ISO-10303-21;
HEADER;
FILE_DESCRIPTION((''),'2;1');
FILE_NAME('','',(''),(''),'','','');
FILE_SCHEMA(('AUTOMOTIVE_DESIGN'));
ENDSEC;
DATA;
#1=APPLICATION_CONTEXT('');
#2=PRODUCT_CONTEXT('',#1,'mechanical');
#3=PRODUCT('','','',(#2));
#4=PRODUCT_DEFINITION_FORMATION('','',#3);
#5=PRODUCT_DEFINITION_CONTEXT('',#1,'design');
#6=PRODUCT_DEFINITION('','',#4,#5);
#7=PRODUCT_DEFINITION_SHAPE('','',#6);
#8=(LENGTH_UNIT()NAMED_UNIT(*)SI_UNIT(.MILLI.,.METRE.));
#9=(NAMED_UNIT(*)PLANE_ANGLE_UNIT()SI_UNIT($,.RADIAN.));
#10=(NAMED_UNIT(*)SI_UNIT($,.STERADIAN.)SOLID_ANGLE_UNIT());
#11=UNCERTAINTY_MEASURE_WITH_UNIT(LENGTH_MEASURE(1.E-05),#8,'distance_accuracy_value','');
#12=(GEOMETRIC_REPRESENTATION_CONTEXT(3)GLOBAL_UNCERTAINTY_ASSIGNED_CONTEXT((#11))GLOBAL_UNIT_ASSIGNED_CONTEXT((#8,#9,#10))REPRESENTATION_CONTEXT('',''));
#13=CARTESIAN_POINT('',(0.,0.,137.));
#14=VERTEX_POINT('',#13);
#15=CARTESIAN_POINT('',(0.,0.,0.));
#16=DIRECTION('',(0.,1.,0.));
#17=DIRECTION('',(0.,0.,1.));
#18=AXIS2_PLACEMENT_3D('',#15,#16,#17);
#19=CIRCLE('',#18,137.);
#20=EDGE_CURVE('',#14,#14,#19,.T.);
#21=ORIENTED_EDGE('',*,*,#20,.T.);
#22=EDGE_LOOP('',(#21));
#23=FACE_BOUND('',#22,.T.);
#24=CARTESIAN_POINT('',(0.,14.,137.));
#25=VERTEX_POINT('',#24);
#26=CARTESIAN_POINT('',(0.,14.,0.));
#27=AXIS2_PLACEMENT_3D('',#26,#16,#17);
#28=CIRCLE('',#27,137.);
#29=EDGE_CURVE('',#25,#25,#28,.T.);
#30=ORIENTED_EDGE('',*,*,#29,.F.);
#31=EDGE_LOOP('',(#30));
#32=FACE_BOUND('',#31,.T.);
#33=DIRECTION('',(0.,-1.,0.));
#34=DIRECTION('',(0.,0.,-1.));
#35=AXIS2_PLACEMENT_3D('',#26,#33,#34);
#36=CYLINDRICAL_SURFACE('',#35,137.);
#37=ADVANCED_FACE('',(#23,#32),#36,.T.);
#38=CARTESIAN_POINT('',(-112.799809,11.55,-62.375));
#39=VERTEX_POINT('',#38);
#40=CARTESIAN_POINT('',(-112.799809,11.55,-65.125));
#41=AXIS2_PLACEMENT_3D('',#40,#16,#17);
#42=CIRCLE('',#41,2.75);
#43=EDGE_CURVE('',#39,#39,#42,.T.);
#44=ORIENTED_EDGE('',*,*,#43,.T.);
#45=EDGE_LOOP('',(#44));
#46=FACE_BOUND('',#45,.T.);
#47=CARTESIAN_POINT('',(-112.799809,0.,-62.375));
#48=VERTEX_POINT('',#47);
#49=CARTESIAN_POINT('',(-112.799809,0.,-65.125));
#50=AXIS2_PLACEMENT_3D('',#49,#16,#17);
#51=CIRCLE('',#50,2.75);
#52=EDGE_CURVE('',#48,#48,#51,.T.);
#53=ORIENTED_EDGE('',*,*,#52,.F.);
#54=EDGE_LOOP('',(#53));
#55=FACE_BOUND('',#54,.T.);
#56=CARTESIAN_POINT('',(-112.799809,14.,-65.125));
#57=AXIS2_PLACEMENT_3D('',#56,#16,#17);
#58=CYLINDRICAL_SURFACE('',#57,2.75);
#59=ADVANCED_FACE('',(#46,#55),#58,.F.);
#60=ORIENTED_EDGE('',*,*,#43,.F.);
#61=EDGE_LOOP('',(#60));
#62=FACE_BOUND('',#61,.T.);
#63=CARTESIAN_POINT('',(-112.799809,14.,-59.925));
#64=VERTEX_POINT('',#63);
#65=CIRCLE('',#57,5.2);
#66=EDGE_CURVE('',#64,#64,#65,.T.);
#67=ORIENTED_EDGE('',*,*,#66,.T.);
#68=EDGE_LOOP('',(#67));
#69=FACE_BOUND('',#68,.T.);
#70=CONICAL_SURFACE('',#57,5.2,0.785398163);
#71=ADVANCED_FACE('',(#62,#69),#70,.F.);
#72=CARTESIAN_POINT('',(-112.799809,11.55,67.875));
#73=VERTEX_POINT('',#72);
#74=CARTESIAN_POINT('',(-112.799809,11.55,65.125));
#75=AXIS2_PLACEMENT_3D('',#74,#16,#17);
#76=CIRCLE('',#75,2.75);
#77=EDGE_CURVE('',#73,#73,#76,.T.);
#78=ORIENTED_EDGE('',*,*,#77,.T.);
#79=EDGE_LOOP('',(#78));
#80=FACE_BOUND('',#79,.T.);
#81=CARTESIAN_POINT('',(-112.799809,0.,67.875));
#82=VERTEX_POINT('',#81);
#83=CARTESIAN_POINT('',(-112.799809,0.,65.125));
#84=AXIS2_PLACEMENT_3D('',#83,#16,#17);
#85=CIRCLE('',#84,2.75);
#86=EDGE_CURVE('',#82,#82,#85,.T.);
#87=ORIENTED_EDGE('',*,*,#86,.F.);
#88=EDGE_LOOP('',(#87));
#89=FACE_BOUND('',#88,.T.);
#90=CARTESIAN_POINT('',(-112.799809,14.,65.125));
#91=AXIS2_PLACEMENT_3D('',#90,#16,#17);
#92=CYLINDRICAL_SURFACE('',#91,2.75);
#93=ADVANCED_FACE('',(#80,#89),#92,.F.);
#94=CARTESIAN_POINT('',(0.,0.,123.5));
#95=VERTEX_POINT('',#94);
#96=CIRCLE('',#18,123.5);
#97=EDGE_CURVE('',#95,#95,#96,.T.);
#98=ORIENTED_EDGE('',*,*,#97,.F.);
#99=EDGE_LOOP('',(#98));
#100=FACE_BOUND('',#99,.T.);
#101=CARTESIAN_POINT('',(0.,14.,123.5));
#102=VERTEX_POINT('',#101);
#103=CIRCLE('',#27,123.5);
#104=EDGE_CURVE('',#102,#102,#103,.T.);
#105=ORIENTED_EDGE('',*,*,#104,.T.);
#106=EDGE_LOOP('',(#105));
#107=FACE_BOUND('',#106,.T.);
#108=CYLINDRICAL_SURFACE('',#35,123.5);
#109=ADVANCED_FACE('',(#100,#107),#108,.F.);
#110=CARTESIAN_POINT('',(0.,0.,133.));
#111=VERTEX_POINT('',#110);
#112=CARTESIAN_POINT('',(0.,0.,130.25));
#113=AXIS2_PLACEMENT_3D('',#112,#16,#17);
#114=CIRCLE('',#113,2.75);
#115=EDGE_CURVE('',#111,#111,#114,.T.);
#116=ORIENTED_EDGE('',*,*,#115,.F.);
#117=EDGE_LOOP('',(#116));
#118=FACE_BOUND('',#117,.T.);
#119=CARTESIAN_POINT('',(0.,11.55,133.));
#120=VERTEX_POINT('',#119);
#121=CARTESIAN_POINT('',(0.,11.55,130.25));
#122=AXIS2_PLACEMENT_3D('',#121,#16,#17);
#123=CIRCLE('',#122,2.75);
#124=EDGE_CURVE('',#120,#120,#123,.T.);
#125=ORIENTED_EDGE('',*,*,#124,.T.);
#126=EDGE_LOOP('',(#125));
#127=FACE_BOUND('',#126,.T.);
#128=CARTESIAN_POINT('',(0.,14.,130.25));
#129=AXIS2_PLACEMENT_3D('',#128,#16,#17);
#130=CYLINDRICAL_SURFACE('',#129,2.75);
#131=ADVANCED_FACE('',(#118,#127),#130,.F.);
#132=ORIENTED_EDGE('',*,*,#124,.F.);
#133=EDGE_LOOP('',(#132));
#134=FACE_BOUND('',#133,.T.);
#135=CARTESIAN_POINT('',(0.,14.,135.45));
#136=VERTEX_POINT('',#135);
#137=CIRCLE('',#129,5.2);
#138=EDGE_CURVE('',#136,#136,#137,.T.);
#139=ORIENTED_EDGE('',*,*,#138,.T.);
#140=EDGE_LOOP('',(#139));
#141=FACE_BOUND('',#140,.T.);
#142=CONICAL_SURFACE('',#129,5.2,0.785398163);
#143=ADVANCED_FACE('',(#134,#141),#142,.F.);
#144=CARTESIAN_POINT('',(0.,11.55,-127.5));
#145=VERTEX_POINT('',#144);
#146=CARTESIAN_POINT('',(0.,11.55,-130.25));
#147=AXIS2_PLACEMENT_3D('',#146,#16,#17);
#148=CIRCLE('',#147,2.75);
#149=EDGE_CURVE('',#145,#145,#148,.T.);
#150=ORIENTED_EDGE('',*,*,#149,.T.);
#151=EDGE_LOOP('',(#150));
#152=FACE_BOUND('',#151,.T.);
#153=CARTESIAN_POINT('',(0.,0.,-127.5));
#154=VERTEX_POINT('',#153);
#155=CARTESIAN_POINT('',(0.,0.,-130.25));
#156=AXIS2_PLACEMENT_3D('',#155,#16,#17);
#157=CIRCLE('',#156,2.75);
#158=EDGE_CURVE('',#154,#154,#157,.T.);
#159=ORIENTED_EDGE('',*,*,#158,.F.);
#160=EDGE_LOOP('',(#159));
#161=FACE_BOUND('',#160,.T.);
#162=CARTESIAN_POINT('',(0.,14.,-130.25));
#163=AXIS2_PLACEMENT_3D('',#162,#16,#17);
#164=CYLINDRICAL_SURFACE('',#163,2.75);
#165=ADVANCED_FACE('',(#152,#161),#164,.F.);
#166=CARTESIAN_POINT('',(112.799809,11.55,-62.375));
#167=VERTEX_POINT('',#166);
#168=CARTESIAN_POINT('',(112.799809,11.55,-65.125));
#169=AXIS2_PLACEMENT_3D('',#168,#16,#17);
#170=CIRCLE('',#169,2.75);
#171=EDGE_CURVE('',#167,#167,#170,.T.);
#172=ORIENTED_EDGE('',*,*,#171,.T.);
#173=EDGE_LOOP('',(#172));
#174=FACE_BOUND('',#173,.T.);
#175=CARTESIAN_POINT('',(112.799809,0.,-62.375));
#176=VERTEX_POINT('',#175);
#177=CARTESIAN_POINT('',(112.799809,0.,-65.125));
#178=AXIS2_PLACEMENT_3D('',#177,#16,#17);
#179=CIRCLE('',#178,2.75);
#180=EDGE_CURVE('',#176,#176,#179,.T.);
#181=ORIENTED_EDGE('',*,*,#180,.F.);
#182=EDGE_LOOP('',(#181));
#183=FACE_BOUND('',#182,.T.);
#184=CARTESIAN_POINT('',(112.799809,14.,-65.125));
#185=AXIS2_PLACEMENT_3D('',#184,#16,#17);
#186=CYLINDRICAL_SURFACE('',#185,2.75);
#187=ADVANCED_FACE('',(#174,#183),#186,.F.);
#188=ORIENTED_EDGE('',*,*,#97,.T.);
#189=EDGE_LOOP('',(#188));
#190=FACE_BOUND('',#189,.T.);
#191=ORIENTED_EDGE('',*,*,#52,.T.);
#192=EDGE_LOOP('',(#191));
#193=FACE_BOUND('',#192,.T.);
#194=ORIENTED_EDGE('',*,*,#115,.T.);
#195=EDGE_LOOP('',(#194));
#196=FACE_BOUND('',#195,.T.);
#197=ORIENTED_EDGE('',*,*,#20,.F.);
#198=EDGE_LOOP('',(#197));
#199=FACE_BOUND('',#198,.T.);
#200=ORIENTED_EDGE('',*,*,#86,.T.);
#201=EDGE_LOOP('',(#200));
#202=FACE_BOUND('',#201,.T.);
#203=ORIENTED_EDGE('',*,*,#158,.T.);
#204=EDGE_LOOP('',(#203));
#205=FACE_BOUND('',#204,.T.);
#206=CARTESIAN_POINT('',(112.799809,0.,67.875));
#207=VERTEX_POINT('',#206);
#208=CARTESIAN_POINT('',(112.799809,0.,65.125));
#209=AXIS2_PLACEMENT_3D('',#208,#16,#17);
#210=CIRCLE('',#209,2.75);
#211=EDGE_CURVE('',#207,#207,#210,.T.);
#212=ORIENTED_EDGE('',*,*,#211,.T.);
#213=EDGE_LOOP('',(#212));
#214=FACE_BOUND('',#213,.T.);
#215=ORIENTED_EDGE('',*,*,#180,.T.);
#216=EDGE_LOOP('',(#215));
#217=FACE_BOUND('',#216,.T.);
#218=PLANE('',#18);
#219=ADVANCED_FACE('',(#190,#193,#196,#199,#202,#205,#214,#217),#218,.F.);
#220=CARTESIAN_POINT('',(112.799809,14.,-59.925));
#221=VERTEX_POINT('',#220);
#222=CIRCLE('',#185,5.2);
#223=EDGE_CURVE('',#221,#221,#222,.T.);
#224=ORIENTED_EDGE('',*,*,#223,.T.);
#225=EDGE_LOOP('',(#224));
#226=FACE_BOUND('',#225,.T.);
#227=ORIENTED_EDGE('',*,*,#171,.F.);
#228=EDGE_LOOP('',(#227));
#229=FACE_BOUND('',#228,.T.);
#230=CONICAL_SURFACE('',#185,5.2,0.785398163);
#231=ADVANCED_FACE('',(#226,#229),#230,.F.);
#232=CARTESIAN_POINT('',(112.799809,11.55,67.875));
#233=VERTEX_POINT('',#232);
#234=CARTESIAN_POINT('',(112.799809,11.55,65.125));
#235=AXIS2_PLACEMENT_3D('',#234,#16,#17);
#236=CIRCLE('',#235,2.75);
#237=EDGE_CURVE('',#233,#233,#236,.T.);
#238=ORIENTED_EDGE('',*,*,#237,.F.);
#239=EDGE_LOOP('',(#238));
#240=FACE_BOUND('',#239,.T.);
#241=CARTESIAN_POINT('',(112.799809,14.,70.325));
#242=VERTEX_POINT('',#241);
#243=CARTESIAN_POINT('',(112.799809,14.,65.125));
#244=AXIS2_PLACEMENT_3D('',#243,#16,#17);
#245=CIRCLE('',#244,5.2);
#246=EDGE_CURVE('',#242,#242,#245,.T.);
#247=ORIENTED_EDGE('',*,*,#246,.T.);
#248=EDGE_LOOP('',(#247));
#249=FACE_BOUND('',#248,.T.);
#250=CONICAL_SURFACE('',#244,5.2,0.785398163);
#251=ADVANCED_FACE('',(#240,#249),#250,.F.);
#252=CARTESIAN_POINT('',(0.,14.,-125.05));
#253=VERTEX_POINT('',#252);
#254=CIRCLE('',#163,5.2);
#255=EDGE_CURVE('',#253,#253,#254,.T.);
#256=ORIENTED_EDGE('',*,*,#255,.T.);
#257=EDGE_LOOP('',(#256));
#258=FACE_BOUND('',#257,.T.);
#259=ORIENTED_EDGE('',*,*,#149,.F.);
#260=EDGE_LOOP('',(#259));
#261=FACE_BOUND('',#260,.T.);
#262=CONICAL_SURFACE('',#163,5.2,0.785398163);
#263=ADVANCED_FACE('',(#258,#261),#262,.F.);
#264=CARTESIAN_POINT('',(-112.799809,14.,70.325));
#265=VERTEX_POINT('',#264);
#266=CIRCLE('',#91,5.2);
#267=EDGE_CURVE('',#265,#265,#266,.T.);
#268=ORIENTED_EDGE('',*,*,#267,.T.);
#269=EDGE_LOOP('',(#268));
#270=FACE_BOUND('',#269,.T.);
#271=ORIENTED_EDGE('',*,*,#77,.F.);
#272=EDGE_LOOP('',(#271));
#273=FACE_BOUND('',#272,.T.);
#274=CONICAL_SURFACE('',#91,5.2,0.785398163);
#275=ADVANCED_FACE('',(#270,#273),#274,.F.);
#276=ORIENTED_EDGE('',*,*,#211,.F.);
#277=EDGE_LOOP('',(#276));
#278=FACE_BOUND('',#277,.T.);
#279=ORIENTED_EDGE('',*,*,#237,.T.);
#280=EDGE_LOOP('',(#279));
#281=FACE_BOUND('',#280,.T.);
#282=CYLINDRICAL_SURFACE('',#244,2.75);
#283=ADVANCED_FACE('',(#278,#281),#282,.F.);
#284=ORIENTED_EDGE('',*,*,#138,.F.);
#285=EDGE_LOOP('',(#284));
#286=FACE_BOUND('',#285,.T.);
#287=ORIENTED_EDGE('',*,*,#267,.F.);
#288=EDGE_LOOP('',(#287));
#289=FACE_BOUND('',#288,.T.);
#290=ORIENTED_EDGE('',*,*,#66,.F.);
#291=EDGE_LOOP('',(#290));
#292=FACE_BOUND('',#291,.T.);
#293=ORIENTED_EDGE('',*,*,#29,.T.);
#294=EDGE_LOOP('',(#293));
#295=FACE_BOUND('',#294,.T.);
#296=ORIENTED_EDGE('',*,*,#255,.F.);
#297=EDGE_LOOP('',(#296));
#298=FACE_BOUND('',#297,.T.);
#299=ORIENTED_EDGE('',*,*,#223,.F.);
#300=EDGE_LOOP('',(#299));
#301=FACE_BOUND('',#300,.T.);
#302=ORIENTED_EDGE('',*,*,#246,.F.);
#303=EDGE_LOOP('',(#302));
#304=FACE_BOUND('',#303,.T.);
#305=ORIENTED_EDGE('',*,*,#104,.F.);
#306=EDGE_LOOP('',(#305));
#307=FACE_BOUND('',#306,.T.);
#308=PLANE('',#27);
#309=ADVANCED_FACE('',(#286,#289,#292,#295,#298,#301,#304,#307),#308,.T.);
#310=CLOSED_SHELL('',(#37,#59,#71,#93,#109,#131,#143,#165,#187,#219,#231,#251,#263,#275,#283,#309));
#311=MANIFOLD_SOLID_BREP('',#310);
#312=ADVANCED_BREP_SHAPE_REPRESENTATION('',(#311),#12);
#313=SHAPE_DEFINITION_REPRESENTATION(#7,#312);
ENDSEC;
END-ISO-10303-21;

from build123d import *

# Parameters (mm, degrees)
SKETCH1_R                                       = 137
SKETCH1_R_2                                     = 123.5
BOSS_EXTRUDE1_DEPTH                             = 14
CSK_FOR_M5_FLAT_HEAD_MACHINE_SCREW1_D           = 5.5
CSK_FOR_M5_FLAT_HEAD_MACHINE_SCREW1_CSINK_D     = 10.4
CSK_FOR_M5_FLAT_HEAD_MACHINE_SCREW1_CSINK_ANGLE = 90
CIRPATTERN1_COUNT                               = 6


with BuildPart() as part:
    # Sketch1 → Boss-Extrude1 (new body)
    with BuildSketch(Plane(origin=(0, 0, 0), x_dir=(1, 0, 0), z_dir=(0, 1, 0))):
        with Locations(Location((0, 0, 0), (0, 0, 270))):
            Circle(SKETCH1_R)
        with Locations(Location((0, 0, 0), (0, 0, 270))):
            Circle(SKETCH1_R_2, mode=Mode.SUBTRACT)
    extrude(amount=BOSS_EXTRUDE1_DEPTH)

    # CSK for M5 Flat Head Machine Screw1 (through all)
    with Locations(Plane(origin=(0, 14, 0), x_dir=(1, 0, 0), z_dir=(0, 1, 0))):
        with Locations((0, 130.25)):
            csk_for_m5_flat_head_machine_screw1 = CounterSinkHole(CSK_FOR_M5_FLAT_HEAD_MACHINE_SCREW1_D / 2, CSK_FOR_M5_FLAT_HEAD_MACHINE_SCREW1_CSINK_D / 2, counter_sink_angle=CSK_FOR_M5_FLAT_HEAD_MACHINE_SCREW1_CSINK_ANGLE)

    # CirPattern1: CSK for M5 Flat Head Machine Screw1 ×6 about axis
    cirpattern1_axis = Axis((0, 0, 0), (0, 1, 0))
    for i in range(1, CIRPATTERN1_COUNT):
        add(csk_for_m5_flat_head_machine_screw1.rotate(cirpattern1_axis, i * 360 / CIRPATTERN1_COUNT), mode=Mode.SUBTRACT)


solid = part.part
